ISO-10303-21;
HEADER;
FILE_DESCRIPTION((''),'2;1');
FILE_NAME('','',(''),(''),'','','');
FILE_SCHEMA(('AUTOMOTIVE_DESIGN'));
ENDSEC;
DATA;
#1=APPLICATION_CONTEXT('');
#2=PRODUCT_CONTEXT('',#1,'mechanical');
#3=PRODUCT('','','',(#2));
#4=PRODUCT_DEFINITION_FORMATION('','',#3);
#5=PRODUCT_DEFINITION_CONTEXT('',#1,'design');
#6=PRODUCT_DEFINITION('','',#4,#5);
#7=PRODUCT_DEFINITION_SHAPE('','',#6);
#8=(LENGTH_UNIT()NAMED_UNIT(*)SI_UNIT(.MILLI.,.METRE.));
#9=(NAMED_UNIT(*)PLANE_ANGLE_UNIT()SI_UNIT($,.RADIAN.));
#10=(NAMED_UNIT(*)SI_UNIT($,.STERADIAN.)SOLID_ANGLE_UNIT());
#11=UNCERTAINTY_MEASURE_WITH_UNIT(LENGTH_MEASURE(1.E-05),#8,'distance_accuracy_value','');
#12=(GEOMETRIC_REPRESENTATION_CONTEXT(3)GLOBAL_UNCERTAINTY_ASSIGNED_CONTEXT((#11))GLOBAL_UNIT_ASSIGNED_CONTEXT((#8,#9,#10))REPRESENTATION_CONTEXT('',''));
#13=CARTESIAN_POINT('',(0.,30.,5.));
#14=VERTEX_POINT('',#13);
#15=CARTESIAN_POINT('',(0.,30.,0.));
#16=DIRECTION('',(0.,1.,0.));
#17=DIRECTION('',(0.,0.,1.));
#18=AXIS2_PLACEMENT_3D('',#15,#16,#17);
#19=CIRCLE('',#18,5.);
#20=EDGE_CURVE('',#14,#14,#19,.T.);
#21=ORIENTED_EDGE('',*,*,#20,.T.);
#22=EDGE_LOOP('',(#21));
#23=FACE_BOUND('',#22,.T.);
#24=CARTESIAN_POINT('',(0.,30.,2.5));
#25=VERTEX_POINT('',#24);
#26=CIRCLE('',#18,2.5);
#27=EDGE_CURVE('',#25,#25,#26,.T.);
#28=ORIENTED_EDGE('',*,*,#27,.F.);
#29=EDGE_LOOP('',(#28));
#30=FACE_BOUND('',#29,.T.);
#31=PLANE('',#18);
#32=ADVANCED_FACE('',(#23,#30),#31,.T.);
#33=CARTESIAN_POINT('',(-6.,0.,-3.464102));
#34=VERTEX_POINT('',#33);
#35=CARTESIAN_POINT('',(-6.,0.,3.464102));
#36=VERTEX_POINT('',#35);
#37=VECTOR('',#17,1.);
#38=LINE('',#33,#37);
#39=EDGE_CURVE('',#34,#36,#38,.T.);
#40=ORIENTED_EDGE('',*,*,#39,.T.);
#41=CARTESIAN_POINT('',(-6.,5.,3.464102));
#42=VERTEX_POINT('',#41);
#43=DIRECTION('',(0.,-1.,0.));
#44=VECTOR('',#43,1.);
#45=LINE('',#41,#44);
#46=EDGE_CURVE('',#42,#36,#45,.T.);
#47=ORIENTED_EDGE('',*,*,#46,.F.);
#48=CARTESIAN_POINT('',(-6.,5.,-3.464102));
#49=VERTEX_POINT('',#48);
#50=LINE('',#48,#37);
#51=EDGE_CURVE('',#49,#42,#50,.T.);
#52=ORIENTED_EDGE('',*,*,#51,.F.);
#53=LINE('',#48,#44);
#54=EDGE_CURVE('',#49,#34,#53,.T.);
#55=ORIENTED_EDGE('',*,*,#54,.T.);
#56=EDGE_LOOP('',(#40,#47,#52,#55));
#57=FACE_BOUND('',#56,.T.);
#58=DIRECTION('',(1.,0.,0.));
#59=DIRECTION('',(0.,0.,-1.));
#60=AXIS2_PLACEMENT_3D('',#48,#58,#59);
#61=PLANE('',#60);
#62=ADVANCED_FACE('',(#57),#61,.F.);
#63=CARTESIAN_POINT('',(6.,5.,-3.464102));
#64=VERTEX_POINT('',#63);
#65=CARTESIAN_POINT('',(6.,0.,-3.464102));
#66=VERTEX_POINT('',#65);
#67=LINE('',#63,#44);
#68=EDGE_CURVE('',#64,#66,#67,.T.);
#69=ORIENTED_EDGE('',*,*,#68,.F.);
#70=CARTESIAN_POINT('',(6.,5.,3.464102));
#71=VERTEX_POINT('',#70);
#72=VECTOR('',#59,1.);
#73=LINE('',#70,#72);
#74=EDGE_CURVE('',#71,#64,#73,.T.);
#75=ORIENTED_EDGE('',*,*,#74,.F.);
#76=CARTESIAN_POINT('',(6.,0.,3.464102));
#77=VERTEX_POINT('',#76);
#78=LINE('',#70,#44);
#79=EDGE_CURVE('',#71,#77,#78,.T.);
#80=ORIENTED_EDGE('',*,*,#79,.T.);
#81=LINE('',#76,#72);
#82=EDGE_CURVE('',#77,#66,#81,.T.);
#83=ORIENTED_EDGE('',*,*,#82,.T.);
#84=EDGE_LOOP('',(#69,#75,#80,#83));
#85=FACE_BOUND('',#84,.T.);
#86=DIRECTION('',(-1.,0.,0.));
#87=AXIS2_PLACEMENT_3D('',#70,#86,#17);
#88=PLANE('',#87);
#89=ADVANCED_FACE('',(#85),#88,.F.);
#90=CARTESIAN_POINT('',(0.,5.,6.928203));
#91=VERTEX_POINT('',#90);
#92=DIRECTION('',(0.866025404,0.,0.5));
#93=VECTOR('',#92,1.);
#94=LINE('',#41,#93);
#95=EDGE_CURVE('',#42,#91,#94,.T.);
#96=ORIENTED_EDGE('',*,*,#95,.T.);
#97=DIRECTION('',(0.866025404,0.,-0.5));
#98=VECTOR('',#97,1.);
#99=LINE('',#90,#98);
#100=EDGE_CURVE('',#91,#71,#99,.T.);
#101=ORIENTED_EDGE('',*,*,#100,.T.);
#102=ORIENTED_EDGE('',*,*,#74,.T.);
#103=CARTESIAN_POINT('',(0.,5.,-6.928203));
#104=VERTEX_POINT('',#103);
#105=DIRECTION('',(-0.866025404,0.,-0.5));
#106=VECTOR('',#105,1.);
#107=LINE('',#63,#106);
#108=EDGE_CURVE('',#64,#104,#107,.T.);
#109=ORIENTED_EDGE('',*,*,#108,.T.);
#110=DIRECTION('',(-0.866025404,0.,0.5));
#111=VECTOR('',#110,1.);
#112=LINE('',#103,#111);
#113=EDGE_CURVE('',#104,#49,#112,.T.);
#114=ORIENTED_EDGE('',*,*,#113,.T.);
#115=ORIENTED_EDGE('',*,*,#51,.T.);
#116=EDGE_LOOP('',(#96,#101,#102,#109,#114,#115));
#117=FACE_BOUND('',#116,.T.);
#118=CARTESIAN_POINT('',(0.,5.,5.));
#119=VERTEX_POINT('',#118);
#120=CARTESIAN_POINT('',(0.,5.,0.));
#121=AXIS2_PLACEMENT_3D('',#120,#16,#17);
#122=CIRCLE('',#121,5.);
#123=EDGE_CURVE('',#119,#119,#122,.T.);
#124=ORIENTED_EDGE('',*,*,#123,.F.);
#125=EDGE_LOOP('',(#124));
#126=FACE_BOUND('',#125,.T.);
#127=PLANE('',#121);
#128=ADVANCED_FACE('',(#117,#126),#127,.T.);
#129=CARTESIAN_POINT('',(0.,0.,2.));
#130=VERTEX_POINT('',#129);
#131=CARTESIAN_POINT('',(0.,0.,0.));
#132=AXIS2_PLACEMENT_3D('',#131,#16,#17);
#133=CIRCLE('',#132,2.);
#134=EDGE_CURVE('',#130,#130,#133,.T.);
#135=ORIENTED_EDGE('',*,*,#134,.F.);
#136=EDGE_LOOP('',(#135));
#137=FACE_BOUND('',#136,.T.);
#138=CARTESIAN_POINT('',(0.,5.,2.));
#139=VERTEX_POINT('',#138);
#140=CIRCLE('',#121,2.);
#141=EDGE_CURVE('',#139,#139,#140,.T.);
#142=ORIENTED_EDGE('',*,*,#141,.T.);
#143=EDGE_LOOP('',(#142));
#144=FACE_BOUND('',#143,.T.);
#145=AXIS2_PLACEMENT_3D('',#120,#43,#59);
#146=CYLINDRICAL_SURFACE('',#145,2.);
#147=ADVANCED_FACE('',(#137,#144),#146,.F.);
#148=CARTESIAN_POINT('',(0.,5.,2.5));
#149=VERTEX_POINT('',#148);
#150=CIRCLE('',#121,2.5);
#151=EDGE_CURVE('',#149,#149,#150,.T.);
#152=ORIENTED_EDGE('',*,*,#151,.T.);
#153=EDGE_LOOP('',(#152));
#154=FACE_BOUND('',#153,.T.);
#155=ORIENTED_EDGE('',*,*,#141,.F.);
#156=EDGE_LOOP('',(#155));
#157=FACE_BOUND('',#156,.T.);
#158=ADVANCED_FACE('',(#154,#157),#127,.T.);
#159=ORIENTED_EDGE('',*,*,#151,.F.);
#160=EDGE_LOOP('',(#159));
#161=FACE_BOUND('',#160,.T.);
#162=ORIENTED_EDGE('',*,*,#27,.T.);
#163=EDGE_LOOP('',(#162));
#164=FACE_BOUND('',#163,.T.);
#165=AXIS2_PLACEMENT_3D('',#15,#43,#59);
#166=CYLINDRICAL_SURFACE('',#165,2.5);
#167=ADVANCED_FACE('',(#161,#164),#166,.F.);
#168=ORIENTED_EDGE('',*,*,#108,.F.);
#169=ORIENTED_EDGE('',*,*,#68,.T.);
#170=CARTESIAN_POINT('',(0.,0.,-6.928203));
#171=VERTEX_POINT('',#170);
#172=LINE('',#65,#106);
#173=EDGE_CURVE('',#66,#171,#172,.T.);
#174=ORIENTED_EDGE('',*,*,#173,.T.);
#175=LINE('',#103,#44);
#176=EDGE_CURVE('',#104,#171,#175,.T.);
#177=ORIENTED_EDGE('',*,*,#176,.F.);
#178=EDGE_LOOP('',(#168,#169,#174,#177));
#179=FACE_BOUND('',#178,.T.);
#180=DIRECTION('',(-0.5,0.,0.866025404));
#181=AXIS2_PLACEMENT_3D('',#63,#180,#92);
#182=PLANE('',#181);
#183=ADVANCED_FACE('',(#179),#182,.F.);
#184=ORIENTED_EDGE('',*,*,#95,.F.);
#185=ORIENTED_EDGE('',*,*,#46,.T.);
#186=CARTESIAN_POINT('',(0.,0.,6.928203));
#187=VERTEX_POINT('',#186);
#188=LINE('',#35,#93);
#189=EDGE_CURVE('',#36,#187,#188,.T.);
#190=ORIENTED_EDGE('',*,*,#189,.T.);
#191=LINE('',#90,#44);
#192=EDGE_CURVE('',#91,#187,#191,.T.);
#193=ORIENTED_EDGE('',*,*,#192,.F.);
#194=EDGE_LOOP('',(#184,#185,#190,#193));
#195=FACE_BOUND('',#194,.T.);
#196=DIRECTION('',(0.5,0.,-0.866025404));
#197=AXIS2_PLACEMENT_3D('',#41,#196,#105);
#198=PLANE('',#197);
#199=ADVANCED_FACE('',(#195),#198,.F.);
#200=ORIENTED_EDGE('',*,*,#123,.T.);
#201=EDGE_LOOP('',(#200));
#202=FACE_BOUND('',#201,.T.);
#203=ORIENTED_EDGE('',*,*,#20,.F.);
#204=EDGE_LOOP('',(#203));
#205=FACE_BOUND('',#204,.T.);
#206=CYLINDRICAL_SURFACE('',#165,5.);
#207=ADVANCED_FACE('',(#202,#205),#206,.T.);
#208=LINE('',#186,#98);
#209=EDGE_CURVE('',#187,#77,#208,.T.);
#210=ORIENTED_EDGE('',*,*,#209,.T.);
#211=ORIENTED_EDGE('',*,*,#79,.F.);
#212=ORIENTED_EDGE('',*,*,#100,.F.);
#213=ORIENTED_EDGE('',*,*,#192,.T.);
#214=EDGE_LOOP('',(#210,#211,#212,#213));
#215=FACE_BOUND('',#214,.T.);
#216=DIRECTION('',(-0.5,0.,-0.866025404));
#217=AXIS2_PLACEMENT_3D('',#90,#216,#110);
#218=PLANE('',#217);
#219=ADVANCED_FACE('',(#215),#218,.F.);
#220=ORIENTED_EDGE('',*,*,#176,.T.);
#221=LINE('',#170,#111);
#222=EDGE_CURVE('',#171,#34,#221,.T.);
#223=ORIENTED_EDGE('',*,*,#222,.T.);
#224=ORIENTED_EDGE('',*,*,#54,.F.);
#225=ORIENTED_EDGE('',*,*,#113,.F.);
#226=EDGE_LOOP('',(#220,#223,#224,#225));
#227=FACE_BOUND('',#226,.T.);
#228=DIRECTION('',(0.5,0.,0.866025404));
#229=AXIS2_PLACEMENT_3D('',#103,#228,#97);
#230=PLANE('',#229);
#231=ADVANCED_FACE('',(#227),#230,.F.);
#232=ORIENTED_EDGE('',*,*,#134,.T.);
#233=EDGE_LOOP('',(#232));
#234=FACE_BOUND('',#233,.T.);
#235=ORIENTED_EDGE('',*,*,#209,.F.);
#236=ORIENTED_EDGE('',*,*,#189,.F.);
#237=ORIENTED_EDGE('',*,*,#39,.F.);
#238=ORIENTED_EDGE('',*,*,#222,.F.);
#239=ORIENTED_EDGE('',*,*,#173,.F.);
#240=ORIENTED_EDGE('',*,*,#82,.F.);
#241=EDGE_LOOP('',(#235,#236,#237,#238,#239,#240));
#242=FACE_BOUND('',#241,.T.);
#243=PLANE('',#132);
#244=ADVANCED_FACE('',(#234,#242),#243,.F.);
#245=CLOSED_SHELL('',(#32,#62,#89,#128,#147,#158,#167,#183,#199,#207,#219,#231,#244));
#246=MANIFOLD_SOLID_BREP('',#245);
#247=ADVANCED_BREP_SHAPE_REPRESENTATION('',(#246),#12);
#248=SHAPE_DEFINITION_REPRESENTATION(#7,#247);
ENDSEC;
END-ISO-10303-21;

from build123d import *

# Parameters (mm, degrees)
SKETCH_1_R      = 2
EXTRUDE_1_DEPTH = 5
SKETCH_2_R      = 5
SKETCH_2_R_2    = 2.5
EXTRUDE_2_DEPTH = 25


with BuildPart() as part:
    # 草图1 → 凸台-拉伸1 (new body)
    with BuildSketch(Plane(origin=(0, 0, 0), x_dir=(1, 0, 0), z_dir=(0, 1, 0))):
        Polygon((0, 6.92820323), (-6, 3.464101615), (-6, -3.464101615), (0, -6.92820323), (6, -3.464101615), (6, 3.464101615), align=None)
        with Locations(Location((0, 0, 0), (0, 0, 270))):
            Circle(SKETCH_1_R, mode=Mode.SUBTRACT)
    extrude(amount=EXTRUDE_1_DEPTH)

    # 草图2 → 凸台-拉伸2 (add)
    with BuildSketch(Plane(origin=(0, 5, 0), x_dir=(1, 0, 0), z_dir=(0, 1, 0))):
        with Locations(Location((0, 0, 0), (0, 0, 270))):
            Circle(SKETCH_2_R)
        with Locations(Location((0, 0, 0), (0, 0, 270))):
            Circle(SKETCH_2_R_2, mode=Mode.SUBTRACT)
    extrude(amount=EXTRUDE_2_DEPTH)


solid = part.part
